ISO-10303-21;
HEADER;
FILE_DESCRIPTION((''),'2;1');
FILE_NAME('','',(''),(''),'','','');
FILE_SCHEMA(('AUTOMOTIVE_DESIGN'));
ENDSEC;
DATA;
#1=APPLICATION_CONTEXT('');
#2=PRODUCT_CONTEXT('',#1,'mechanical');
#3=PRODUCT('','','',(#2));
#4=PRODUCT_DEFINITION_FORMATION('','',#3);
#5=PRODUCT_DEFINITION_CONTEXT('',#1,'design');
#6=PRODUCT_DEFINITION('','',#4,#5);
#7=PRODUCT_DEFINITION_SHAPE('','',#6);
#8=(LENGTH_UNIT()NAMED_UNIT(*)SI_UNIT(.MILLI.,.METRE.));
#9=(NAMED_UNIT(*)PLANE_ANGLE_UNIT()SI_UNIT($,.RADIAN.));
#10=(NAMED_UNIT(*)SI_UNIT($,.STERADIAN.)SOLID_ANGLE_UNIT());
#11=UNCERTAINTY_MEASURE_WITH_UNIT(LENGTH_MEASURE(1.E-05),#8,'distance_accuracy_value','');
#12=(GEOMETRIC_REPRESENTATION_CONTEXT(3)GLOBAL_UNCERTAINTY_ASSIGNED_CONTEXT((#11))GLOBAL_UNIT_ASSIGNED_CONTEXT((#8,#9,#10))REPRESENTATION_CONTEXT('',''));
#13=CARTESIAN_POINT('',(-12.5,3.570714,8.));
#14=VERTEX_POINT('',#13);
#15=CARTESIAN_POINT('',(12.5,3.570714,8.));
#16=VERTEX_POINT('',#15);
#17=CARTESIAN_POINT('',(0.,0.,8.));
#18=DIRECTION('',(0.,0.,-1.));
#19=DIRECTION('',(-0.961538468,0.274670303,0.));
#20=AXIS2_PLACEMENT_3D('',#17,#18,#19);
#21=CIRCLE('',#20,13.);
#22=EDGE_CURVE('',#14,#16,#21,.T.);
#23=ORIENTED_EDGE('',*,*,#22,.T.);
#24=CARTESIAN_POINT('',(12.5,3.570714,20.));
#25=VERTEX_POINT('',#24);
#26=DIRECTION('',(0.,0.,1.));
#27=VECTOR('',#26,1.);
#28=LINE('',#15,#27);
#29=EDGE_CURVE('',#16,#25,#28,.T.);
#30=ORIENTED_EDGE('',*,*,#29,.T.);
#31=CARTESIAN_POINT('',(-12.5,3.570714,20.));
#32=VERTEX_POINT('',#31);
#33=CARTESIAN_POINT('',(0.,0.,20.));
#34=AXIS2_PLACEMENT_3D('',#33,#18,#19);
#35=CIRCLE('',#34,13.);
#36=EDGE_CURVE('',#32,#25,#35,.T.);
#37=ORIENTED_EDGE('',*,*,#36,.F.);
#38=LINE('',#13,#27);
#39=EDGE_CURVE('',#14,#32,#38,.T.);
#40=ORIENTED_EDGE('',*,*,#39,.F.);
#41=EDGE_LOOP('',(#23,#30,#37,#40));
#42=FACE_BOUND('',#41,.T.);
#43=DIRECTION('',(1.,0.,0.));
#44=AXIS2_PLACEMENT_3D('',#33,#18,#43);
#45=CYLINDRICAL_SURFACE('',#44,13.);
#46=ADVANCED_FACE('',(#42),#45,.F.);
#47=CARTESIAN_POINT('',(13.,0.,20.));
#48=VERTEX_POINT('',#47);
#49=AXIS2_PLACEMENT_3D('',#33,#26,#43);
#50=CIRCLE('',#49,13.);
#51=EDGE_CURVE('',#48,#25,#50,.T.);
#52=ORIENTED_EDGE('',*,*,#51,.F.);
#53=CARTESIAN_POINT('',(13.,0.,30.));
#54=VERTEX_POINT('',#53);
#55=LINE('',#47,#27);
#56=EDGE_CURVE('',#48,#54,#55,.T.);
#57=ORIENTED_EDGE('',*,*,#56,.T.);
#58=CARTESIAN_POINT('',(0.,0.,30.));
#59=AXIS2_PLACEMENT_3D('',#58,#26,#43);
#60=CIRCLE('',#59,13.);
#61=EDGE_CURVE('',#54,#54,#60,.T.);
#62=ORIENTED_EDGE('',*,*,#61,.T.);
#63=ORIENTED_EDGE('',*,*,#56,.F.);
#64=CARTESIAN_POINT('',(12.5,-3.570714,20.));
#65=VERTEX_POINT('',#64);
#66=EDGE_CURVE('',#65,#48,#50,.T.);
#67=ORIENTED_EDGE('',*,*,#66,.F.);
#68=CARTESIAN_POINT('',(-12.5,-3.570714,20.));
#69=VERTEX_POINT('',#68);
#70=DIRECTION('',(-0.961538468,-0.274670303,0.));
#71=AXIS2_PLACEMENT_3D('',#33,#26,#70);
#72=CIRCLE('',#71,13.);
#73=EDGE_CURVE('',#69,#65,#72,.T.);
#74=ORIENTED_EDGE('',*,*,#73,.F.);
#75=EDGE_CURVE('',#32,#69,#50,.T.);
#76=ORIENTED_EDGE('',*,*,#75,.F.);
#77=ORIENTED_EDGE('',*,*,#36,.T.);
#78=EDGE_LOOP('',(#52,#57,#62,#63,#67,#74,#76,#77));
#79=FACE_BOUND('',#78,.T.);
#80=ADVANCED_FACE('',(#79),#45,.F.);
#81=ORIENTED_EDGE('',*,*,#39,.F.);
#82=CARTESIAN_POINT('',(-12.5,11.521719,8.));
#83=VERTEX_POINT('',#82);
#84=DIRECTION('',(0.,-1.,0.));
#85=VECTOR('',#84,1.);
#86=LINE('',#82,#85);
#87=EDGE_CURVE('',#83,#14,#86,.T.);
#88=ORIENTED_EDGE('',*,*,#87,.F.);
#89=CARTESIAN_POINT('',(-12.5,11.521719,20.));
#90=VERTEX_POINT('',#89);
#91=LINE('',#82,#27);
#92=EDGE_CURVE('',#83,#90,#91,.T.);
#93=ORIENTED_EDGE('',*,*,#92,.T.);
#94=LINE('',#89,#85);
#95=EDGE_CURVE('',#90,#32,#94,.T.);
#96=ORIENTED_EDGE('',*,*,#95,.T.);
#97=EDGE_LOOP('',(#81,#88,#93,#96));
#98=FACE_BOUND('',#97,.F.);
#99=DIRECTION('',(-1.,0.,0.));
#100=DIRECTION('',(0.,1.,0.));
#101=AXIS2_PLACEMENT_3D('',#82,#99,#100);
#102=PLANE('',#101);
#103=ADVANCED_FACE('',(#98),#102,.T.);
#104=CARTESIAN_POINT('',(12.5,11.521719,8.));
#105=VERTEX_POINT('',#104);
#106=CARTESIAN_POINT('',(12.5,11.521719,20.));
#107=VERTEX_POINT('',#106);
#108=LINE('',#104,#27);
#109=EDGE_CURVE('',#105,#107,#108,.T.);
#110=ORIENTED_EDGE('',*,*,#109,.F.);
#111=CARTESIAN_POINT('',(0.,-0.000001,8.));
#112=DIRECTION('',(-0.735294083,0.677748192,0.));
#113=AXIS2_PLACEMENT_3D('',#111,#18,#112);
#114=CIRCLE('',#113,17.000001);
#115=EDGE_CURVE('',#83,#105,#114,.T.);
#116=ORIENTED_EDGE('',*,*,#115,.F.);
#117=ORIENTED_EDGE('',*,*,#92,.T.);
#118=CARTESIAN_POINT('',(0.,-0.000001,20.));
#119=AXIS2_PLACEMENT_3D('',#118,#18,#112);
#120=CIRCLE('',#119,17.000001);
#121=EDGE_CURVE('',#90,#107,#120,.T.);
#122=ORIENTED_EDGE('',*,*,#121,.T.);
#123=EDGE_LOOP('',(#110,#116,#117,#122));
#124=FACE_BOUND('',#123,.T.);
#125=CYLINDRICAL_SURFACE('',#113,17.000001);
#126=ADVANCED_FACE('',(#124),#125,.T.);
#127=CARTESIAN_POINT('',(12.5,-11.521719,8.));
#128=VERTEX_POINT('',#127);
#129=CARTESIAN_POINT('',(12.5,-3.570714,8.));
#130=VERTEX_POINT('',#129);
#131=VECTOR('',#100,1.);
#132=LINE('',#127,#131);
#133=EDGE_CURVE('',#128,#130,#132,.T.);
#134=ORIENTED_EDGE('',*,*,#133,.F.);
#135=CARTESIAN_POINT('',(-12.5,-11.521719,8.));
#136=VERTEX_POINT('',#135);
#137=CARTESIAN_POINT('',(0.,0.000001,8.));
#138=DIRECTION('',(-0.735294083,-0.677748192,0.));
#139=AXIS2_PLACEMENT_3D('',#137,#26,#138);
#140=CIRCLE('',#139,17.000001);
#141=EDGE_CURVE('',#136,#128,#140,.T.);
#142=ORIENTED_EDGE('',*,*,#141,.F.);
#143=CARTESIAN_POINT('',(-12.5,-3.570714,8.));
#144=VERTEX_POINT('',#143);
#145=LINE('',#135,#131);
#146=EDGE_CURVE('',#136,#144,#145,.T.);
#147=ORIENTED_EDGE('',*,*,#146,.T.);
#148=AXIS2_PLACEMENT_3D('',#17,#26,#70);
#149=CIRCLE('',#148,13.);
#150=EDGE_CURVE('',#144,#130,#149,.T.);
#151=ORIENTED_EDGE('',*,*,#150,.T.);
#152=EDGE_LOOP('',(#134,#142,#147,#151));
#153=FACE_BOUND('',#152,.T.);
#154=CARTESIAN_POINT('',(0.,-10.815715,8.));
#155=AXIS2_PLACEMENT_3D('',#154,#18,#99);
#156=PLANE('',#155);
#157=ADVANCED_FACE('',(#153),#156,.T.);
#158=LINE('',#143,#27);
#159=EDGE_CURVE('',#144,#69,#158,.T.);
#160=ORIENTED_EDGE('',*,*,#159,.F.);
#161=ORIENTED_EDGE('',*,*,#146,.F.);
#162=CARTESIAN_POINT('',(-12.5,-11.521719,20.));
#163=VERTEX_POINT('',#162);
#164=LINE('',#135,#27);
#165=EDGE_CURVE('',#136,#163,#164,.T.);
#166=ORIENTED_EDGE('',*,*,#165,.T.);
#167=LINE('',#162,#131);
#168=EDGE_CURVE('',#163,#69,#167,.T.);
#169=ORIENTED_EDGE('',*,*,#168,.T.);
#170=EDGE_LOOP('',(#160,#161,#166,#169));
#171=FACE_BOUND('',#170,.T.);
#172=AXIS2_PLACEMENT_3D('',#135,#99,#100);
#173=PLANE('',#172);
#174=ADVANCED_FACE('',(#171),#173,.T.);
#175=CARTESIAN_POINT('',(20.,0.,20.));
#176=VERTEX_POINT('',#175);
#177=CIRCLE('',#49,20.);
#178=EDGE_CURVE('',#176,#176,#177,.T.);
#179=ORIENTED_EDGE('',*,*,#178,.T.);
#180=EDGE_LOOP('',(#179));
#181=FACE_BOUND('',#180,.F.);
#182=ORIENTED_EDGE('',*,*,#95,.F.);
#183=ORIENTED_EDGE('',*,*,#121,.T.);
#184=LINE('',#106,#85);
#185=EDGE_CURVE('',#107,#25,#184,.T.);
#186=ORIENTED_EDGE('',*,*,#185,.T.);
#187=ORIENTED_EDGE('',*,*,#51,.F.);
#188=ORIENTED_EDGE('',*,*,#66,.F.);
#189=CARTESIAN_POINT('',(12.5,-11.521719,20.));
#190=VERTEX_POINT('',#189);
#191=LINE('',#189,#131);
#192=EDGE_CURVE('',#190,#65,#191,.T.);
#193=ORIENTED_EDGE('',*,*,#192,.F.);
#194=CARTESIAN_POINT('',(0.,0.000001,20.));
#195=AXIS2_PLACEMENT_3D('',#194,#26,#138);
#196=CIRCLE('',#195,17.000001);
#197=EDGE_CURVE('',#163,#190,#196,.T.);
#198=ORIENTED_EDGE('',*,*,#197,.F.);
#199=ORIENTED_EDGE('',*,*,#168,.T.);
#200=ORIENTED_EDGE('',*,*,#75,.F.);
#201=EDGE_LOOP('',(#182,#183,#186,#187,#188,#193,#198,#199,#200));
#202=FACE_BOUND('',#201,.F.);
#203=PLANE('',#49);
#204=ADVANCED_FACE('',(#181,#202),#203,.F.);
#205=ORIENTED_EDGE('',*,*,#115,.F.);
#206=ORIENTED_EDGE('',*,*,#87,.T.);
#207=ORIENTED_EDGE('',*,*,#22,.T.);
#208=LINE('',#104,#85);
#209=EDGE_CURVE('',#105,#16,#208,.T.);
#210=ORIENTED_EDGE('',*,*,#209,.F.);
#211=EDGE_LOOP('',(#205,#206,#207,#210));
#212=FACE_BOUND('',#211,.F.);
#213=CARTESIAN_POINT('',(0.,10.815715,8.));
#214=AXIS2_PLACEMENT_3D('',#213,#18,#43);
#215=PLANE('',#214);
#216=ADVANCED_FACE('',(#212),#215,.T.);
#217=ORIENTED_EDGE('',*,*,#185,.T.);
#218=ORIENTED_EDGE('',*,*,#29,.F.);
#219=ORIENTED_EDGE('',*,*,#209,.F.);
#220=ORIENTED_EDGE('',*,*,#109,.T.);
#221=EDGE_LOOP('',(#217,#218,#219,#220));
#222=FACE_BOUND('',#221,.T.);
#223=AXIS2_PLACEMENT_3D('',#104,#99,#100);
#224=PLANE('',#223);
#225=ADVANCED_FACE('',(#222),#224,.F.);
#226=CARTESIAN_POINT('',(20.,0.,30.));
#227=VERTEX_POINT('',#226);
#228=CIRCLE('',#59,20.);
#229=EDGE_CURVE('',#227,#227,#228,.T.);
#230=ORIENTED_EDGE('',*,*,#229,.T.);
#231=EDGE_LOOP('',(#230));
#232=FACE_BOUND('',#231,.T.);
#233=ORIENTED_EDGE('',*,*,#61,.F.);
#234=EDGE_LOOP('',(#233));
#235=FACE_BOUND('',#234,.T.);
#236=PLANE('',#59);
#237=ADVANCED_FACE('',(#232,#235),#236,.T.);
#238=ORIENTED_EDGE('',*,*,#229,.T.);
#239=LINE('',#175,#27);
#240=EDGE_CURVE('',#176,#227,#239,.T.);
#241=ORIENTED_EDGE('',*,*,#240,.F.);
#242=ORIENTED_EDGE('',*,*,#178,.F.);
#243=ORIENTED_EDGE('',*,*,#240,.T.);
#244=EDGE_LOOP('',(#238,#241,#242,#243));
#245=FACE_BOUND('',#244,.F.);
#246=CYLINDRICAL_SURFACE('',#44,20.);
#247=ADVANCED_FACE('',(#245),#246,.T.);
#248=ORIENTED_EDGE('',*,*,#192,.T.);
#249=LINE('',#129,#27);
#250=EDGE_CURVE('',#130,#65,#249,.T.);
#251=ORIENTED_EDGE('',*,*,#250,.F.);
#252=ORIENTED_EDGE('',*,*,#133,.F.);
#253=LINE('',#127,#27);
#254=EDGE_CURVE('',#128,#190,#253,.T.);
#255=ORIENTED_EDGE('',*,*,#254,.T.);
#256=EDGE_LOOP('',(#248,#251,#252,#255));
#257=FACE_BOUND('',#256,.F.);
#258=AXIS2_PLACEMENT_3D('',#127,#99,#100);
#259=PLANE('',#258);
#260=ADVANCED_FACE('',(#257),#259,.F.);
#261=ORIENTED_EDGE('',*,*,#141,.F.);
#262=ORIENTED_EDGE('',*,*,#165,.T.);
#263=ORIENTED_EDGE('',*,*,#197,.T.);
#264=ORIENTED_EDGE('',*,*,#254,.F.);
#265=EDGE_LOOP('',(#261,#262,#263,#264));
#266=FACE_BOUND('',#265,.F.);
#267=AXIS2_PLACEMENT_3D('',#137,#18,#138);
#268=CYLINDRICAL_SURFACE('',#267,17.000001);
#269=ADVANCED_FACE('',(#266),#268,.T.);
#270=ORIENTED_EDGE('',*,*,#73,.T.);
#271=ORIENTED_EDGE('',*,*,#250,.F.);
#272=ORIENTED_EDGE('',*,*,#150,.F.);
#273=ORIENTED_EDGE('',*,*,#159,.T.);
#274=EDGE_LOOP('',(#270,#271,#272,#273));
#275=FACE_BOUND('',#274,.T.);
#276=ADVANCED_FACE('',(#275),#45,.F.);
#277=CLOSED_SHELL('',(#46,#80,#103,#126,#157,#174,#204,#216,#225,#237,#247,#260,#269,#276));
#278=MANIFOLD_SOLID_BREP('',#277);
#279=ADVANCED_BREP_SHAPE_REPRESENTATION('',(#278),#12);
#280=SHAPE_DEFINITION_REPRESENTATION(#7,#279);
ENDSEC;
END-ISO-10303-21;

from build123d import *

# Parameters (mm, degrees)
PAD026_DEPTH  = 12
SKETCH071_R   = 20
SKETCH071_R_2 = 13
PAD027_DEPTH  = 10


with BuildPart() as part:
    # Sketch070 (on Face5 of Binder016) → Pad026 (new body)
    with BuildSketch(Plane.XY.offset(8)):
        with BuildLine():
            ThreePointArc((-12.5, -3.570714), (0, -13), (12.5, -3.570714))
            Line((12.5, -11.521719), (12.5, -3.570714))
            ThreePointArc((-12.5, -11.521719), (0, -17), (12.5, -11.521719))
            Line((-12.5, -11.521719), (-12.5, -3.570714))
        make_face()
    pad026 = extrude(amount=PAD026_DEPTH)

    # Mirrored: Pad026 across XZ
    add(pad026.mirror(Plane.XZ))

    # Sketch071 (on Face4 of Mirrored) → Pad027 (join)
    with BuildSketch(Plane.XY.offset(20)):
        Circle(SKETCH071_R)
        Circle(SKETCH071_R_2, mode=Mode.SUBTRACT)
    extrude(amount=PAD027_DEPTH)

    # Mirrored001: Pad026 across XZ
    add(pad026.mirror(Plane.XZ))


solid = part.part
